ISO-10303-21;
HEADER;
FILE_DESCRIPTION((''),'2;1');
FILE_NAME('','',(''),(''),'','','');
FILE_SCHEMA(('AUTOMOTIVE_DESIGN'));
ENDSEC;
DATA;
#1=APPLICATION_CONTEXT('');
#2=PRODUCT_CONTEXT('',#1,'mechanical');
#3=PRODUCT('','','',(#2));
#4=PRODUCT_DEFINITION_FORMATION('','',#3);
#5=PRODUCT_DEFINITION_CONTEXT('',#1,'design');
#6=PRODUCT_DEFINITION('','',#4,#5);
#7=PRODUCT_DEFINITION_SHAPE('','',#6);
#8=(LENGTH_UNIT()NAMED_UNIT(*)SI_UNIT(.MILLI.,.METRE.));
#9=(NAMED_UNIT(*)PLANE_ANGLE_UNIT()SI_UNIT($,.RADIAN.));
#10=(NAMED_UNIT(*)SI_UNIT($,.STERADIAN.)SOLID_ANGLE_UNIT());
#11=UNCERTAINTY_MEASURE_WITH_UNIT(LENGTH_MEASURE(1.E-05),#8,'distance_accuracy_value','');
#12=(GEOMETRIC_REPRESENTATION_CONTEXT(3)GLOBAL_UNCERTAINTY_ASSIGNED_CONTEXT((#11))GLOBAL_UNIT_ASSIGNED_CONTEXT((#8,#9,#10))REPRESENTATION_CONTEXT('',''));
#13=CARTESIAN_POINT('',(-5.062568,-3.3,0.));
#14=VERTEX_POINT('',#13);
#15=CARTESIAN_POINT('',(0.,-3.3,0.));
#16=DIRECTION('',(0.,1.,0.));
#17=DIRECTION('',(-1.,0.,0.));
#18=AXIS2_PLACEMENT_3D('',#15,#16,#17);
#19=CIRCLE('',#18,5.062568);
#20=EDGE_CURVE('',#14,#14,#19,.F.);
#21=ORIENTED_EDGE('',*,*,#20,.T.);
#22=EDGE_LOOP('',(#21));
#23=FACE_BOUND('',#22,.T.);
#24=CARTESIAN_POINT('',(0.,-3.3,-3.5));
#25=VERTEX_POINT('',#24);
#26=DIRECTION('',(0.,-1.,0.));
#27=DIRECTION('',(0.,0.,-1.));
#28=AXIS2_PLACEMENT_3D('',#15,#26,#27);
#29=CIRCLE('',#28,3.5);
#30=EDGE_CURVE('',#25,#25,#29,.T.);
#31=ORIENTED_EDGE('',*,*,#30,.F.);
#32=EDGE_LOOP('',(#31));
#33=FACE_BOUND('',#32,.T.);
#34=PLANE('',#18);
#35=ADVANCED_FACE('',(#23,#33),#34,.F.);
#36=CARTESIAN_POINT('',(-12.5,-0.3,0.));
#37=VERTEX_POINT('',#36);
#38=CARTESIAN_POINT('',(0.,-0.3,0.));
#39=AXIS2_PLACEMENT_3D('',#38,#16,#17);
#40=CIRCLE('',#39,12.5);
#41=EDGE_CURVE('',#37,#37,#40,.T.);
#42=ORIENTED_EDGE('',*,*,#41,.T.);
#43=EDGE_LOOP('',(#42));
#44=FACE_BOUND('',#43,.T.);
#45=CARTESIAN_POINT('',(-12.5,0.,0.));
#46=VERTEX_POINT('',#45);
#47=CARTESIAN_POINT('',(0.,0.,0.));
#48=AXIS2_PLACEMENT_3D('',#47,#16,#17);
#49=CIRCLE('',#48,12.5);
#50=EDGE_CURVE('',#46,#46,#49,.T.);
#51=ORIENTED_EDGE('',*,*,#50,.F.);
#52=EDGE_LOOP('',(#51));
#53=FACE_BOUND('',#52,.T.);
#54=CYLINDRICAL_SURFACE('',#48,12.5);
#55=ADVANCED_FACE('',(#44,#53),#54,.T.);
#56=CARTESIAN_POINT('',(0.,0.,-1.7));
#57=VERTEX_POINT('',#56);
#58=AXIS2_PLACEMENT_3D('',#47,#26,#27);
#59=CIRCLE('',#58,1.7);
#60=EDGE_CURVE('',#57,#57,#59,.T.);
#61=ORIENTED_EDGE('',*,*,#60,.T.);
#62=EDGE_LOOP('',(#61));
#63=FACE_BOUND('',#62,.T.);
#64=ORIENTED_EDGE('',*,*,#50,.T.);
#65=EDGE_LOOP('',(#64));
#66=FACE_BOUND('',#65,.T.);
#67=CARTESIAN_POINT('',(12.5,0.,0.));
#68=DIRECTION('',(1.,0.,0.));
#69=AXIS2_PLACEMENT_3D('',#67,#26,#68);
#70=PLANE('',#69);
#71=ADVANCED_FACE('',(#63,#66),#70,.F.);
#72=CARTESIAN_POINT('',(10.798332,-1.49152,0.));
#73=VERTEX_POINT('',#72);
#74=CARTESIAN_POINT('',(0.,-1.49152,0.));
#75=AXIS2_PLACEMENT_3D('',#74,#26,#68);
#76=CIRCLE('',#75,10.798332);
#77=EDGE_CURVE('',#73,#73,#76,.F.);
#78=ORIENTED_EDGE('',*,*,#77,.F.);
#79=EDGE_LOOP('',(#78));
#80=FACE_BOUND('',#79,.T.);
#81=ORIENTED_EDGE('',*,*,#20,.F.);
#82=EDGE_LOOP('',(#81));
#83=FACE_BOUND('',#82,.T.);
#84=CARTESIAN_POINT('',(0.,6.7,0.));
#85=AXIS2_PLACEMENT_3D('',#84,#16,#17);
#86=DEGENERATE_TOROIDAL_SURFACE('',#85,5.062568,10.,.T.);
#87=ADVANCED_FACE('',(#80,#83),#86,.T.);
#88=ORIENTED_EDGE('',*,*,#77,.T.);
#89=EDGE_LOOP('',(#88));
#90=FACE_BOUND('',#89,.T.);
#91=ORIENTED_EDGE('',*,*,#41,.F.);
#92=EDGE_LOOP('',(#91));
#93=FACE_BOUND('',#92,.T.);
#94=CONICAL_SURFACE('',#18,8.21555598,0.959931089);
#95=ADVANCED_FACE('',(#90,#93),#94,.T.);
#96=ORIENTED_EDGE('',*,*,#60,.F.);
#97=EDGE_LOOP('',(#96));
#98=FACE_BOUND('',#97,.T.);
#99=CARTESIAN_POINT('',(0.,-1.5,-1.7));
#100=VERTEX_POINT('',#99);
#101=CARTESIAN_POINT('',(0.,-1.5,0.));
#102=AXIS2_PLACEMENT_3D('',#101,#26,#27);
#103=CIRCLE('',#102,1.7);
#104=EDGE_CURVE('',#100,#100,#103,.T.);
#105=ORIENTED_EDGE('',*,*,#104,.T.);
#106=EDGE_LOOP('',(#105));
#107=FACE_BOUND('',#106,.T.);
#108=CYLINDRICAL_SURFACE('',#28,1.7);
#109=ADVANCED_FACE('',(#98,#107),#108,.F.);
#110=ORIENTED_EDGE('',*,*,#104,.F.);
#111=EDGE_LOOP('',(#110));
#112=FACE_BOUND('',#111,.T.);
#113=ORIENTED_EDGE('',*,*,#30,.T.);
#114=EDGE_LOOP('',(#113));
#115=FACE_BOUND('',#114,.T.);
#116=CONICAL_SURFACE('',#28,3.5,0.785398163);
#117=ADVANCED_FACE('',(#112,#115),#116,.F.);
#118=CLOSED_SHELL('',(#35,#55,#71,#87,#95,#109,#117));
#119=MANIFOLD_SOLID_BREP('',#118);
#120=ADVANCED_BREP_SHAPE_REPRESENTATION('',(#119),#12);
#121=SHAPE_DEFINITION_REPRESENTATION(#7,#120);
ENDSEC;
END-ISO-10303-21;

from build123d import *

# Parameters (mm, degrees)
CONG_1_R = 10


with BuildPart() as part:
    # Esquisse1 → Révolution1 (revolve)
    with BuildSketch(Plane.XY, mode=Mode.PRIVATE) as r_volution1_sk:
        Polygon((0, -3.3), (8.21555598, -3.3), (12.5, -0.3), (12.5, 0), (0, 0), align=None)
    revolve(r_volution1_sk.sketch.rotate(Axis((0, 0, 0), (0, -1, 0)), 180), axis=Axis((0, 0, 0), (0, -1, 0)))

    # Congé1
    cong_1_edges = [part.edges().sort_by_distance(p)[0] for p in [
        (8.21555598, -3.3, 0),
    ]]
    fillet(cong_1_edges, radius=CONG_1_R)

    # Esquisse2 → Fraisage pour vis à tête fraisée M31 (revolve, cut)
    with BuildSketch(Plane(origin=(0, -3.3, 0), x_dir=(0, 0, -1), z_dir=(1, 0, 0))):
        Polygon((0, 0), (0, 3.3), (1.7, 3.3), (1.7, 1.8), (3.5, 0), align=None)
    revolve(axis=Axis((0, -9.65, 0), (0, 1, 0)), mode=Mode.SUBTRACT)


solid = part.part
